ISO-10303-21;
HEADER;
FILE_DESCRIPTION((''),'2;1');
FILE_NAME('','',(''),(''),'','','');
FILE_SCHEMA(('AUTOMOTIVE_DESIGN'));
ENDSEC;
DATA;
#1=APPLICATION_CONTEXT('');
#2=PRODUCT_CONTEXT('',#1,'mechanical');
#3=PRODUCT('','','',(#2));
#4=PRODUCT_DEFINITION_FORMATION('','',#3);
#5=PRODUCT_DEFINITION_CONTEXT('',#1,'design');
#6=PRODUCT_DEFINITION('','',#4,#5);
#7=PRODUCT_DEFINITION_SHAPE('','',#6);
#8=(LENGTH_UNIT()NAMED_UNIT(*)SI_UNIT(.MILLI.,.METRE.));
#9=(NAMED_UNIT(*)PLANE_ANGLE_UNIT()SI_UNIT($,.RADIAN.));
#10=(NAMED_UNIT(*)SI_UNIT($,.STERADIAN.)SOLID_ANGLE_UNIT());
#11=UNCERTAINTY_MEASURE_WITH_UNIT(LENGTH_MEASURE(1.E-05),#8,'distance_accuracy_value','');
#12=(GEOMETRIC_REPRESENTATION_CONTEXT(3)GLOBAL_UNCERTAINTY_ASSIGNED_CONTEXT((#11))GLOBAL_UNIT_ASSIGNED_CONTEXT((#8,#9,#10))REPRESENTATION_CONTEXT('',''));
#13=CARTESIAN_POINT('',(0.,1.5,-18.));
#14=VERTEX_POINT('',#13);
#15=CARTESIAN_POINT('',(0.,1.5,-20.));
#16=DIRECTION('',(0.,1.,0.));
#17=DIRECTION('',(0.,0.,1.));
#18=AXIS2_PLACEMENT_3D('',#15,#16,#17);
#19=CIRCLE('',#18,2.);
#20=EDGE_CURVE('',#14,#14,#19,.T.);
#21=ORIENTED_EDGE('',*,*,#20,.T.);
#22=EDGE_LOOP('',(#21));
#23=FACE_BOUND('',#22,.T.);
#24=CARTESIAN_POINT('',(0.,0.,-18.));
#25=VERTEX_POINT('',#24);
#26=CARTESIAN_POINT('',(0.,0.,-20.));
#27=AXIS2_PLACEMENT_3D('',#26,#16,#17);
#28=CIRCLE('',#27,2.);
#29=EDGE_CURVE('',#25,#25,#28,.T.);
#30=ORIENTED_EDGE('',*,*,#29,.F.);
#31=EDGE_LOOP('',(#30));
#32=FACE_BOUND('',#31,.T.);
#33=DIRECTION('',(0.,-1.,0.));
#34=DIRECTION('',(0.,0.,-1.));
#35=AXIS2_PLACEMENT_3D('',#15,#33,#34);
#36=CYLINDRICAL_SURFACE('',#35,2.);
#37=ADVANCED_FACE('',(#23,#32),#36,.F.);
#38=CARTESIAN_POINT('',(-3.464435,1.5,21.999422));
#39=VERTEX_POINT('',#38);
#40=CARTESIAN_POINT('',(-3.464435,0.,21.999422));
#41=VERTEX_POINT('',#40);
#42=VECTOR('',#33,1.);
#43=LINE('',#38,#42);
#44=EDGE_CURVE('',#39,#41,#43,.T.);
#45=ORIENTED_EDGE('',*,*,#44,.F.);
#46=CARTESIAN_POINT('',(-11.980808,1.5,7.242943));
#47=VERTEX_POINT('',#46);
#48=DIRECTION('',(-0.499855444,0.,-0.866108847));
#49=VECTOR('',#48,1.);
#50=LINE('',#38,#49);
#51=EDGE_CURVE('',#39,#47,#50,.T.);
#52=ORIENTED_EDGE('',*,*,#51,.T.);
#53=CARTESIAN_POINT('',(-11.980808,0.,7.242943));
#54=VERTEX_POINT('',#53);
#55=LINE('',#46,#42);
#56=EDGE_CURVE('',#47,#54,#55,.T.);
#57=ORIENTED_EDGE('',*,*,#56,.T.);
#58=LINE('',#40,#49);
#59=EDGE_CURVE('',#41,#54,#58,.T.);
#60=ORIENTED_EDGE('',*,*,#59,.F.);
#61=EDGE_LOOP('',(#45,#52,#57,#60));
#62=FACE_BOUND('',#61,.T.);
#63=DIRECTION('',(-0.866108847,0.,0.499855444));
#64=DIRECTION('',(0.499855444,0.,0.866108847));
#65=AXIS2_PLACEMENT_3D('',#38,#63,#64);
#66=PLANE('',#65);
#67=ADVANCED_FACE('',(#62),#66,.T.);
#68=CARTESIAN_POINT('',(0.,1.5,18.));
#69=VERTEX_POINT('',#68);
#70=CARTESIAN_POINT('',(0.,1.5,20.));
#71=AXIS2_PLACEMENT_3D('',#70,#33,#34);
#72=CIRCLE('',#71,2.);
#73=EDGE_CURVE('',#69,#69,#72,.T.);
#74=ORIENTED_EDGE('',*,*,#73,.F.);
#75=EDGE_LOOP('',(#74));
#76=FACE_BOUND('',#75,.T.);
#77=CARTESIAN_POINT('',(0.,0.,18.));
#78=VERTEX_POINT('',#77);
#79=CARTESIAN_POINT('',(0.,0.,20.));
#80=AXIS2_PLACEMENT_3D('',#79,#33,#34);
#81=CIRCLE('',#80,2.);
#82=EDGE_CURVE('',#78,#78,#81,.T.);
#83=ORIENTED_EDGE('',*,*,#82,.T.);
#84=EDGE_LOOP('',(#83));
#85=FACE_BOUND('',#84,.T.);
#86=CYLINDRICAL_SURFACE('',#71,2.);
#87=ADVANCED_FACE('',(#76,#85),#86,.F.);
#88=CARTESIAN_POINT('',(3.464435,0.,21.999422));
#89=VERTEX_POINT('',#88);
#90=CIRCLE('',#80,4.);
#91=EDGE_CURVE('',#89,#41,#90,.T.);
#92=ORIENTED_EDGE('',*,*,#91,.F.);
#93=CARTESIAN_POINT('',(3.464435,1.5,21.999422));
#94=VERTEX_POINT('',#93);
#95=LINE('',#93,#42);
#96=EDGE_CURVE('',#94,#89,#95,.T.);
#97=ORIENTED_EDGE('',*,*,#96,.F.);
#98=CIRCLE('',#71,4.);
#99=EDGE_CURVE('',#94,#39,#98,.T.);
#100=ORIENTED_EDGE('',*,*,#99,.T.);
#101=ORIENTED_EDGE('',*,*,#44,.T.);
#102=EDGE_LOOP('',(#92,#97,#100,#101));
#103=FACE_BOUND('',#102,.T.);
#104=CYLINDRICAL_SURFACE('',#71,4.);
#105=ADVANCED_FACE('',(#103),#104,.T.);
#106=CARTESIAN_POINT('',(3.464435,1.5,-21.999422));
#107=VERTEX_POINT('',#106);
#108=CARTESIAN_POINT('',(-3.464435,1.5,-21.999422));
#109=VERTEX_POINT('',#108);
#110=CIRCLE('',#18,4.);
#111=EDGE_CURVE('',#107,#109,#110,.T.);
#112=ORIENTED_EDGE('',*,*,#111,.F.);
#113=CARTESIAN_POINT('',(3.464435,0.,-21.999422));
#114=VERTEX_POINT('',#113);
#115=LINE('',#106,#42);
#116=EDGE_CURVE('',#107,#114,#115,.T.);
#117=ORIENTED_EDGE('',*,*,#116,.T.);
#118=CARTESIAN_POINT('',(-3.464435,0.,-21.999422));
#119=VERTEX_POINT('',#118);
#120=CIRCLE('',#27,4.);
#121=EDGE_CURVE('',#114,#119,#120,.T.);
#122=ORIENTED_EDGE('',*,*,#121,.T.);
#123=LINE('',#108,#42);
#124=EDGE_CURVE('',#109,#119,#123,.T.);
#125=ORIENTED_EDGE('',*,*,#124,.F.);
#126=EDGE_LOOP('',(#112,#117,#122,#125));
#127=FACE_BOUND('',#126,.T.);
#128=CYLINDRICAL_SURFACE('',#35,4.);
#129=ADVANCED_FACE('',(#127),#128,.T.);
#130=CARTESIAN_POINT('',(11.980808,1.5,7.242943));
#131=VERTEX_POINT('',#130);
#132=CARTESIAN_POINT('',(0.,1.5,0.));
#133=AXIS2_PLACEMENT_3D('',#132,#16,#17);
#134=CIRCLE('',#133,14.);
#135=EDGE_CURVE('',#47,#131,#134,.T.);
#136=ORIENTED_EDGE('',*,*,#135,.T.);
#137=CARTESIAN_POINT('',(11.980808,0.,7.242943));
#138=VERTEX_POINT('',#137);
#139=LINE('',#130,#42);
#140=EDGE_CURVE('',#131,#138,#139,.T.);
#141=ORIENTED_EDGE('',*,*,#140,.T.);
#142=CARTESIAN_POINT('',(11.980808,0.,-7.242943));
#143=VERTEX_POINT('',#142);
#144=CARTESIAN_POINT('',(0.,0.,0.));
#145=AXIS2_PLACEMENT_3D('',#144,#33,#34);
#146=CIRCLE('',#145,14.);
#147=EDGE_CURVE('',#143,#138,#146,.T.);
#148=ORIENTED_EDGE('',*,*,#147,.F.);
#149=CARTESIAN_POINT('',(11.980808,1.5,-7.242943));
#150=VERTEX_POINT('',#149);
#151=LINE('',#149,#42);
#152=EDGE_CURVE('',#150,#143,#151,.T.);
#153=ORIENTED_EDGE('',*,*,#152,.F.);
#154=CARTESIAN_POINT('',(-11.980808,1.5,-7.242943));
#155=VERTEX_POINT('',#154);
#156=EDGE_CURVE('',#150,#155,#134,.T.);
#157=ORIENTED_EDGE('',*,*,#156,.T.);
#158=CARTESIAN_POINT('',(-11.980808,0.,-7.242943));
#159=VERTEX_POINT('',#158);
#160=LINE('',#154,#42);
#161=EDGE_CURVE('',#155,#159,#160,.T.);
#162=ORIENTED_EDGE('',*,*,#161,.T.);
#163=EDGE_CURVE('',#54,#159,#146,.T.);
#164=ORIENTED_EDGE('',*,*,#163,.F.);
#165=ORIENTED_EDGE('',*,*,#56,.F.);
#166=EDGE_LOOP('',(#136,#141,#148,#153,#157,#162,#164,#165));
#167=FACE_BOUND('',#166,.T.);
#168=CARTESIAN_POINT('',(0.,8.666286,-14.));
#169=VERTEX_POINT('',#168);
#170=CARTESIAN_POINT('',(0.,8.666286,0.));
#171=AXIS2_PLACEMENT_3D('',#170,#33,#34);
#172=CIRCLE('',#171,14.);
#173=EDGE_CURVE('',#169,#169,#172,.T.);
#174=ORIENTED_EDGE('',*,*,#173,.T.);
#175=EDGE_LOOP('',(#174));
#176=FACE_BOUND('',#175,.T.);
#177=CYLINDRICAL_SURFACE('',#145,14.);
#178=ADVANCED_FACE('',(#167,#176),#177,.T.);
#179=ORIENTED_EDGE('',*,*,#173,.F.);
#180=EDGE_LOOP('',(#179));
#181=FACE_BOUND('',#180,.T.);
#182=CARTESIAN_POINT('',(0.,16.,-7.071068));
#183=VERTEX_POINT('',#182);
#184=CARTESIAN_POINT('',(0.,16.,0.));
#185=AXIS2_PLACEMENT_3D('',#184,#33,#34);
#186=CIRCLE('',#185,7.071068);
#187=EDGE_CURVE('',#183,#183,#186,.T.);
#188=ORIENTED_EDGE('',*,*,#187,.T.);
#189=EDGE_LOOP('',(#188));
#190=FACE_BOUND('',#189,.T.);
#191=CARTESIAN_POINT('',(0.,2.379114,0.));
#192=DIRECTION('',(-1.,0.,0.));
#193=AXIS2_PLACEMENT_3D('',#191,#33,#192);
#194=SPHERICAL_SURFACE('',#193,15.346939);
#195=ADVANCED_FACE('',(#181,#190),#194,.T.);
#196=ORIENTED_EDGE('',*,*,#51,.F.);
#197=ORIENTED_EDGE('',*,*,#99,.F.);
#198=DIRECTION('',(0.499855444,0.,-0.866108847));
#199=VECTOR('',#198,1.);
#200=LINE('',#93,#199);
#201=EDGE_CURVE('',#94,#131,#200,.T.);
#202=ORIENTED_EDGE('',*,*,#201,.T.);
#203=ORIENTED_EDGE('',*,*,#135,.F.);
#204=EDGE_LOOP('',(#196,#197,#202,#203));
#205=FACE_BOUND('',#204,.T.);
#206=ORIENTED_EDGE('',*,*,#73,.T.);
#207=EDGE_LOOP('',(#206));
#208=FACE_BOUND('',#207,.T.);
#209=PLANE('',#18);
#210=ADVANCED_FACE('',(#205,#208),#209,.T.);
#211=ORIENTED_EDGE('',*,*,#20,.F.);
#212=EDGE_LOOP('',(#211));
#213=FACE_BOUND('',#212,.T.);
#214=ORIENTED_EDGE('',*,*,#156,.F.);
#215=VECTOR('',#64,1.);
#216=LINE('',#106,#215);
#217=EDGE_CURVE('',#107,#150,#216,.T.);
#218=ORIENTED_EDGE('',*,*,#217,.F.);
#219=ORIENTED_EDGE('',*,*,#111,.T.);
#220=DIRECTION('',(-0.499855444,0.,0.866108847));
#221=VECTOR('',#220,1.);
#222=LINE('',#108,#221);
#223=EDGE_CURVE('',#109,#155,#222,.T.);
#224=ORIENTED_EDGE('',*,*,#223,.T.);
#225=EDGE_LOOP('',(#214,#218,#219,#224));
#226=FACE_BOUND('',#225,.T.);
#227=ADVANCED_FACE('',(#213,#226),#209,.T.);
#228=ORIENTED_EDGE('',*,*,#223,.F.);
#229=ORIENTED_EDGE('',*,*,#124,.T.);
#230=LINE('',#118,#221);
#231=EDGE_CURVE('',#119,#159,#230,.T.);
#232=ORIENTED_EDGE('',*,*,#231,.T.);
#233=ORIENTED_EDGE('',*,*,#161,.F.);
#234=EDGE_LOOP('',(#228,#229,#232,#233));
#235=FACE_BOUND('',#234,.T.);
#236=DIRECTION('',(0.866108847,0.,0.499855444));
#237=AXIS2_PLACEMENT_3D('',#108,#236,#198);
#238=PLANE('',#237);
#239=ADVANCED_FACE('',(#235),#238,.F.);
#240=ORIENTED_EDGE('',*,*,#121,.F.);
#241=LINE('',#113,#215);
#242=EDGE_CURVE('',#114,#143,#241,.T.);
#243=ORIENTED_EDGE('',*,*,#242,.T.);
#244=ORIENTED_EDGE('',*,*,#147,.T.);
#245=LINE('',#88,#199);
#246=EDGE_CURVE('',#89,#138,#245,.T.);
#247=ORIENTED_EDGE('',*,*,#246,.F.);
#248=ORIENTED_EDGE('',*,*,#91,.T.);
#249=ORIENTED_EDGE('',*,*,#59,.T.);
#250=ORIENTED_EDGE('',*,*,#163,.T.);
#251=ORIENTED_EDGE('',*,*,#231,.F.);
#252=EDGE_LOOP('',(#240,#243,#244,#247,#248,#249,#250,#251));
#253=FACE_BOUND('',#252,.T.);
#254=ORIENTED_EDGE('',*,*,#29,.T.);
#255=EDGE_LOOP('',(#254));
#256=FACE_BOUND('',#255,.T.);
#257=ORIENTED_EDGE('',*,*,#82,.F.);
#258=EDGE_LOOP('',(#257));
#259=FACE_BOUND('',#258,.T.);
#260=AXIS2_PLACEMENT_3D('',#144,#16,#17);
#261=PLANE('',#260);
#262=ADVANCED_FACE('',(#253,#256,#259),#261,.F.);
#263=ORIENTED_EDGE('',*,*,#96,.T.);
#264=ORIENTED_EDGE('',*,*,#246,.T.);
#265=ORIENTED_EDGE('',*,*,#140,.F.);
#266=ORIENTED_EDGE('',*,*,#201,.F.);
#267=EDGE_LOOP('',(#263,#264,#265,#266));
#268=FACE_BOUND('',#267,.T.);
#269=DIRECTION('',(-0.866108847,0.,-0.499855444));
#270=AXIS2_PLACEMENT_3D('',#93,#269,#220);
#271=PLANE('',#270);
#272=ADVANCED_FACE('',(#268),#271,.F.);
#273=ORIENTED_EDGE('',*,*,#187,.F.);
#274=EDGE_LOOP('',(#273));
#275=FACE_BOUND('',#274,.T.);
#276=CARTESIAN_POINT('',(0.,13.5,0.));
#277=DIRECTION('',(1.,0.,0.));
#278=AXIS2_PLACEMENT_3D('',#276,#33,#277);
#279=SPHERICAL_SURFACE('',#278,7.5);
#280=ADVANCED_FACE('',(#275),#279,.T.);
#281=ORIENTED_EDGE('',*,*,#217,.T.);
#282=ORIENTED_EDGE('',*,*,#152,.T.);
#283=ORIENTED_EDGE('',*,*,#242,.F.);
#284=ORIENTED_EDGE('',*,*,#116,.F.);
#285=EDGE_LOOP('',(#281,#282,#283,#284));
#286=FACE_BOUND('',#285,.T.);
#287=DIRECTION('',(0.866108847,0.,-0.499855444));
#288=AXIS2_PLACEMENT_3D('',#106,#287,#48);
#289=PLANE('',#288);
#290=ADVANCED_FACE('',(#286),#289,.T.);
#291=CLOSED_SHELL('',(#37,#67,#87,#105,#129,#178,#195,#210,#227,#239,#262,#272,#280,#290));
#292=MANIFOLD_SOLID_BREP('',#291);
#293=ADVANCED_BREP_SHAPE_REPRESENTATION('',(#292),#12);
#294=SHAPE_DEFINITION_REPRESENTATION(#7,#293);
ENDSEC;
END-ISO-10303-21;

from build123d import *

# Parameters (mm, degrees)
SKETCH_2_R      = 2
EXTRUDE_1_DEPTH = 1.5


with BuildPart() as part:
    # 草图1 → 旋转1 (revolve)
    with BuildSketch(Plane.XY):
        with BuildLine():
            Line((0, 0), (-14, 0))
            Line((-14, 0), (-14, 8.666286))
            ThreePointArc((-14, 8.666286), (-11.155416, 12.918811), (-7.071068, 16))
            ThreePointArc((-7.071068, 16), (-4.330127, 19.623724), (0, 21))
            Line((0, 21), (0, 0))
        make_face()
    revolve(axis=Axis((0, 0, 0), (0, 1, 0)))

    # 草图2 → 凸台-拉伸1 (add)
    with BuildSketch(Plane(origin=(0, 0, 0), x_dir=(1, 0, 0), z_dir=(0, 1, 0))):
        with BuildLine():
            Line((3.464435, 21.999422), (11.980808, 7.242943))
            ThreePointArc((11.980808, 7.242943), (14, 0), (11.980808, -7.242943))
            Line((11.980808, -7.242943), (3.464435, -21.999422))
            ThreePointArc((3.464435, -21.999422), (0, -24), (-3.464435, -21.999422))
            Line((-3.464435, -21.999422), (-11.980808, -7.242943))
            ThreePointArc((-11.980808, -7.242943), (-14, 0), (-11.980808, 7.242943))
            Line((-11.980808, 7.242943), (-3.464435, 21.999422))
            ThreePointArc((-3.464435, 21.999422), (0, 24), (3.464435, 21.999422))
        make_face()
        with Locations((0, 20)):
            Circle(SKETCH_2_R, mode=Mode.SUBTRACT)
        with Locations((0, -20)):
            Circle(SKETCH_2_R, mode=Mode.SUBTRACT)
    extrude(amount=EXTRUDE_1_DEPTH)


solid = part.part
